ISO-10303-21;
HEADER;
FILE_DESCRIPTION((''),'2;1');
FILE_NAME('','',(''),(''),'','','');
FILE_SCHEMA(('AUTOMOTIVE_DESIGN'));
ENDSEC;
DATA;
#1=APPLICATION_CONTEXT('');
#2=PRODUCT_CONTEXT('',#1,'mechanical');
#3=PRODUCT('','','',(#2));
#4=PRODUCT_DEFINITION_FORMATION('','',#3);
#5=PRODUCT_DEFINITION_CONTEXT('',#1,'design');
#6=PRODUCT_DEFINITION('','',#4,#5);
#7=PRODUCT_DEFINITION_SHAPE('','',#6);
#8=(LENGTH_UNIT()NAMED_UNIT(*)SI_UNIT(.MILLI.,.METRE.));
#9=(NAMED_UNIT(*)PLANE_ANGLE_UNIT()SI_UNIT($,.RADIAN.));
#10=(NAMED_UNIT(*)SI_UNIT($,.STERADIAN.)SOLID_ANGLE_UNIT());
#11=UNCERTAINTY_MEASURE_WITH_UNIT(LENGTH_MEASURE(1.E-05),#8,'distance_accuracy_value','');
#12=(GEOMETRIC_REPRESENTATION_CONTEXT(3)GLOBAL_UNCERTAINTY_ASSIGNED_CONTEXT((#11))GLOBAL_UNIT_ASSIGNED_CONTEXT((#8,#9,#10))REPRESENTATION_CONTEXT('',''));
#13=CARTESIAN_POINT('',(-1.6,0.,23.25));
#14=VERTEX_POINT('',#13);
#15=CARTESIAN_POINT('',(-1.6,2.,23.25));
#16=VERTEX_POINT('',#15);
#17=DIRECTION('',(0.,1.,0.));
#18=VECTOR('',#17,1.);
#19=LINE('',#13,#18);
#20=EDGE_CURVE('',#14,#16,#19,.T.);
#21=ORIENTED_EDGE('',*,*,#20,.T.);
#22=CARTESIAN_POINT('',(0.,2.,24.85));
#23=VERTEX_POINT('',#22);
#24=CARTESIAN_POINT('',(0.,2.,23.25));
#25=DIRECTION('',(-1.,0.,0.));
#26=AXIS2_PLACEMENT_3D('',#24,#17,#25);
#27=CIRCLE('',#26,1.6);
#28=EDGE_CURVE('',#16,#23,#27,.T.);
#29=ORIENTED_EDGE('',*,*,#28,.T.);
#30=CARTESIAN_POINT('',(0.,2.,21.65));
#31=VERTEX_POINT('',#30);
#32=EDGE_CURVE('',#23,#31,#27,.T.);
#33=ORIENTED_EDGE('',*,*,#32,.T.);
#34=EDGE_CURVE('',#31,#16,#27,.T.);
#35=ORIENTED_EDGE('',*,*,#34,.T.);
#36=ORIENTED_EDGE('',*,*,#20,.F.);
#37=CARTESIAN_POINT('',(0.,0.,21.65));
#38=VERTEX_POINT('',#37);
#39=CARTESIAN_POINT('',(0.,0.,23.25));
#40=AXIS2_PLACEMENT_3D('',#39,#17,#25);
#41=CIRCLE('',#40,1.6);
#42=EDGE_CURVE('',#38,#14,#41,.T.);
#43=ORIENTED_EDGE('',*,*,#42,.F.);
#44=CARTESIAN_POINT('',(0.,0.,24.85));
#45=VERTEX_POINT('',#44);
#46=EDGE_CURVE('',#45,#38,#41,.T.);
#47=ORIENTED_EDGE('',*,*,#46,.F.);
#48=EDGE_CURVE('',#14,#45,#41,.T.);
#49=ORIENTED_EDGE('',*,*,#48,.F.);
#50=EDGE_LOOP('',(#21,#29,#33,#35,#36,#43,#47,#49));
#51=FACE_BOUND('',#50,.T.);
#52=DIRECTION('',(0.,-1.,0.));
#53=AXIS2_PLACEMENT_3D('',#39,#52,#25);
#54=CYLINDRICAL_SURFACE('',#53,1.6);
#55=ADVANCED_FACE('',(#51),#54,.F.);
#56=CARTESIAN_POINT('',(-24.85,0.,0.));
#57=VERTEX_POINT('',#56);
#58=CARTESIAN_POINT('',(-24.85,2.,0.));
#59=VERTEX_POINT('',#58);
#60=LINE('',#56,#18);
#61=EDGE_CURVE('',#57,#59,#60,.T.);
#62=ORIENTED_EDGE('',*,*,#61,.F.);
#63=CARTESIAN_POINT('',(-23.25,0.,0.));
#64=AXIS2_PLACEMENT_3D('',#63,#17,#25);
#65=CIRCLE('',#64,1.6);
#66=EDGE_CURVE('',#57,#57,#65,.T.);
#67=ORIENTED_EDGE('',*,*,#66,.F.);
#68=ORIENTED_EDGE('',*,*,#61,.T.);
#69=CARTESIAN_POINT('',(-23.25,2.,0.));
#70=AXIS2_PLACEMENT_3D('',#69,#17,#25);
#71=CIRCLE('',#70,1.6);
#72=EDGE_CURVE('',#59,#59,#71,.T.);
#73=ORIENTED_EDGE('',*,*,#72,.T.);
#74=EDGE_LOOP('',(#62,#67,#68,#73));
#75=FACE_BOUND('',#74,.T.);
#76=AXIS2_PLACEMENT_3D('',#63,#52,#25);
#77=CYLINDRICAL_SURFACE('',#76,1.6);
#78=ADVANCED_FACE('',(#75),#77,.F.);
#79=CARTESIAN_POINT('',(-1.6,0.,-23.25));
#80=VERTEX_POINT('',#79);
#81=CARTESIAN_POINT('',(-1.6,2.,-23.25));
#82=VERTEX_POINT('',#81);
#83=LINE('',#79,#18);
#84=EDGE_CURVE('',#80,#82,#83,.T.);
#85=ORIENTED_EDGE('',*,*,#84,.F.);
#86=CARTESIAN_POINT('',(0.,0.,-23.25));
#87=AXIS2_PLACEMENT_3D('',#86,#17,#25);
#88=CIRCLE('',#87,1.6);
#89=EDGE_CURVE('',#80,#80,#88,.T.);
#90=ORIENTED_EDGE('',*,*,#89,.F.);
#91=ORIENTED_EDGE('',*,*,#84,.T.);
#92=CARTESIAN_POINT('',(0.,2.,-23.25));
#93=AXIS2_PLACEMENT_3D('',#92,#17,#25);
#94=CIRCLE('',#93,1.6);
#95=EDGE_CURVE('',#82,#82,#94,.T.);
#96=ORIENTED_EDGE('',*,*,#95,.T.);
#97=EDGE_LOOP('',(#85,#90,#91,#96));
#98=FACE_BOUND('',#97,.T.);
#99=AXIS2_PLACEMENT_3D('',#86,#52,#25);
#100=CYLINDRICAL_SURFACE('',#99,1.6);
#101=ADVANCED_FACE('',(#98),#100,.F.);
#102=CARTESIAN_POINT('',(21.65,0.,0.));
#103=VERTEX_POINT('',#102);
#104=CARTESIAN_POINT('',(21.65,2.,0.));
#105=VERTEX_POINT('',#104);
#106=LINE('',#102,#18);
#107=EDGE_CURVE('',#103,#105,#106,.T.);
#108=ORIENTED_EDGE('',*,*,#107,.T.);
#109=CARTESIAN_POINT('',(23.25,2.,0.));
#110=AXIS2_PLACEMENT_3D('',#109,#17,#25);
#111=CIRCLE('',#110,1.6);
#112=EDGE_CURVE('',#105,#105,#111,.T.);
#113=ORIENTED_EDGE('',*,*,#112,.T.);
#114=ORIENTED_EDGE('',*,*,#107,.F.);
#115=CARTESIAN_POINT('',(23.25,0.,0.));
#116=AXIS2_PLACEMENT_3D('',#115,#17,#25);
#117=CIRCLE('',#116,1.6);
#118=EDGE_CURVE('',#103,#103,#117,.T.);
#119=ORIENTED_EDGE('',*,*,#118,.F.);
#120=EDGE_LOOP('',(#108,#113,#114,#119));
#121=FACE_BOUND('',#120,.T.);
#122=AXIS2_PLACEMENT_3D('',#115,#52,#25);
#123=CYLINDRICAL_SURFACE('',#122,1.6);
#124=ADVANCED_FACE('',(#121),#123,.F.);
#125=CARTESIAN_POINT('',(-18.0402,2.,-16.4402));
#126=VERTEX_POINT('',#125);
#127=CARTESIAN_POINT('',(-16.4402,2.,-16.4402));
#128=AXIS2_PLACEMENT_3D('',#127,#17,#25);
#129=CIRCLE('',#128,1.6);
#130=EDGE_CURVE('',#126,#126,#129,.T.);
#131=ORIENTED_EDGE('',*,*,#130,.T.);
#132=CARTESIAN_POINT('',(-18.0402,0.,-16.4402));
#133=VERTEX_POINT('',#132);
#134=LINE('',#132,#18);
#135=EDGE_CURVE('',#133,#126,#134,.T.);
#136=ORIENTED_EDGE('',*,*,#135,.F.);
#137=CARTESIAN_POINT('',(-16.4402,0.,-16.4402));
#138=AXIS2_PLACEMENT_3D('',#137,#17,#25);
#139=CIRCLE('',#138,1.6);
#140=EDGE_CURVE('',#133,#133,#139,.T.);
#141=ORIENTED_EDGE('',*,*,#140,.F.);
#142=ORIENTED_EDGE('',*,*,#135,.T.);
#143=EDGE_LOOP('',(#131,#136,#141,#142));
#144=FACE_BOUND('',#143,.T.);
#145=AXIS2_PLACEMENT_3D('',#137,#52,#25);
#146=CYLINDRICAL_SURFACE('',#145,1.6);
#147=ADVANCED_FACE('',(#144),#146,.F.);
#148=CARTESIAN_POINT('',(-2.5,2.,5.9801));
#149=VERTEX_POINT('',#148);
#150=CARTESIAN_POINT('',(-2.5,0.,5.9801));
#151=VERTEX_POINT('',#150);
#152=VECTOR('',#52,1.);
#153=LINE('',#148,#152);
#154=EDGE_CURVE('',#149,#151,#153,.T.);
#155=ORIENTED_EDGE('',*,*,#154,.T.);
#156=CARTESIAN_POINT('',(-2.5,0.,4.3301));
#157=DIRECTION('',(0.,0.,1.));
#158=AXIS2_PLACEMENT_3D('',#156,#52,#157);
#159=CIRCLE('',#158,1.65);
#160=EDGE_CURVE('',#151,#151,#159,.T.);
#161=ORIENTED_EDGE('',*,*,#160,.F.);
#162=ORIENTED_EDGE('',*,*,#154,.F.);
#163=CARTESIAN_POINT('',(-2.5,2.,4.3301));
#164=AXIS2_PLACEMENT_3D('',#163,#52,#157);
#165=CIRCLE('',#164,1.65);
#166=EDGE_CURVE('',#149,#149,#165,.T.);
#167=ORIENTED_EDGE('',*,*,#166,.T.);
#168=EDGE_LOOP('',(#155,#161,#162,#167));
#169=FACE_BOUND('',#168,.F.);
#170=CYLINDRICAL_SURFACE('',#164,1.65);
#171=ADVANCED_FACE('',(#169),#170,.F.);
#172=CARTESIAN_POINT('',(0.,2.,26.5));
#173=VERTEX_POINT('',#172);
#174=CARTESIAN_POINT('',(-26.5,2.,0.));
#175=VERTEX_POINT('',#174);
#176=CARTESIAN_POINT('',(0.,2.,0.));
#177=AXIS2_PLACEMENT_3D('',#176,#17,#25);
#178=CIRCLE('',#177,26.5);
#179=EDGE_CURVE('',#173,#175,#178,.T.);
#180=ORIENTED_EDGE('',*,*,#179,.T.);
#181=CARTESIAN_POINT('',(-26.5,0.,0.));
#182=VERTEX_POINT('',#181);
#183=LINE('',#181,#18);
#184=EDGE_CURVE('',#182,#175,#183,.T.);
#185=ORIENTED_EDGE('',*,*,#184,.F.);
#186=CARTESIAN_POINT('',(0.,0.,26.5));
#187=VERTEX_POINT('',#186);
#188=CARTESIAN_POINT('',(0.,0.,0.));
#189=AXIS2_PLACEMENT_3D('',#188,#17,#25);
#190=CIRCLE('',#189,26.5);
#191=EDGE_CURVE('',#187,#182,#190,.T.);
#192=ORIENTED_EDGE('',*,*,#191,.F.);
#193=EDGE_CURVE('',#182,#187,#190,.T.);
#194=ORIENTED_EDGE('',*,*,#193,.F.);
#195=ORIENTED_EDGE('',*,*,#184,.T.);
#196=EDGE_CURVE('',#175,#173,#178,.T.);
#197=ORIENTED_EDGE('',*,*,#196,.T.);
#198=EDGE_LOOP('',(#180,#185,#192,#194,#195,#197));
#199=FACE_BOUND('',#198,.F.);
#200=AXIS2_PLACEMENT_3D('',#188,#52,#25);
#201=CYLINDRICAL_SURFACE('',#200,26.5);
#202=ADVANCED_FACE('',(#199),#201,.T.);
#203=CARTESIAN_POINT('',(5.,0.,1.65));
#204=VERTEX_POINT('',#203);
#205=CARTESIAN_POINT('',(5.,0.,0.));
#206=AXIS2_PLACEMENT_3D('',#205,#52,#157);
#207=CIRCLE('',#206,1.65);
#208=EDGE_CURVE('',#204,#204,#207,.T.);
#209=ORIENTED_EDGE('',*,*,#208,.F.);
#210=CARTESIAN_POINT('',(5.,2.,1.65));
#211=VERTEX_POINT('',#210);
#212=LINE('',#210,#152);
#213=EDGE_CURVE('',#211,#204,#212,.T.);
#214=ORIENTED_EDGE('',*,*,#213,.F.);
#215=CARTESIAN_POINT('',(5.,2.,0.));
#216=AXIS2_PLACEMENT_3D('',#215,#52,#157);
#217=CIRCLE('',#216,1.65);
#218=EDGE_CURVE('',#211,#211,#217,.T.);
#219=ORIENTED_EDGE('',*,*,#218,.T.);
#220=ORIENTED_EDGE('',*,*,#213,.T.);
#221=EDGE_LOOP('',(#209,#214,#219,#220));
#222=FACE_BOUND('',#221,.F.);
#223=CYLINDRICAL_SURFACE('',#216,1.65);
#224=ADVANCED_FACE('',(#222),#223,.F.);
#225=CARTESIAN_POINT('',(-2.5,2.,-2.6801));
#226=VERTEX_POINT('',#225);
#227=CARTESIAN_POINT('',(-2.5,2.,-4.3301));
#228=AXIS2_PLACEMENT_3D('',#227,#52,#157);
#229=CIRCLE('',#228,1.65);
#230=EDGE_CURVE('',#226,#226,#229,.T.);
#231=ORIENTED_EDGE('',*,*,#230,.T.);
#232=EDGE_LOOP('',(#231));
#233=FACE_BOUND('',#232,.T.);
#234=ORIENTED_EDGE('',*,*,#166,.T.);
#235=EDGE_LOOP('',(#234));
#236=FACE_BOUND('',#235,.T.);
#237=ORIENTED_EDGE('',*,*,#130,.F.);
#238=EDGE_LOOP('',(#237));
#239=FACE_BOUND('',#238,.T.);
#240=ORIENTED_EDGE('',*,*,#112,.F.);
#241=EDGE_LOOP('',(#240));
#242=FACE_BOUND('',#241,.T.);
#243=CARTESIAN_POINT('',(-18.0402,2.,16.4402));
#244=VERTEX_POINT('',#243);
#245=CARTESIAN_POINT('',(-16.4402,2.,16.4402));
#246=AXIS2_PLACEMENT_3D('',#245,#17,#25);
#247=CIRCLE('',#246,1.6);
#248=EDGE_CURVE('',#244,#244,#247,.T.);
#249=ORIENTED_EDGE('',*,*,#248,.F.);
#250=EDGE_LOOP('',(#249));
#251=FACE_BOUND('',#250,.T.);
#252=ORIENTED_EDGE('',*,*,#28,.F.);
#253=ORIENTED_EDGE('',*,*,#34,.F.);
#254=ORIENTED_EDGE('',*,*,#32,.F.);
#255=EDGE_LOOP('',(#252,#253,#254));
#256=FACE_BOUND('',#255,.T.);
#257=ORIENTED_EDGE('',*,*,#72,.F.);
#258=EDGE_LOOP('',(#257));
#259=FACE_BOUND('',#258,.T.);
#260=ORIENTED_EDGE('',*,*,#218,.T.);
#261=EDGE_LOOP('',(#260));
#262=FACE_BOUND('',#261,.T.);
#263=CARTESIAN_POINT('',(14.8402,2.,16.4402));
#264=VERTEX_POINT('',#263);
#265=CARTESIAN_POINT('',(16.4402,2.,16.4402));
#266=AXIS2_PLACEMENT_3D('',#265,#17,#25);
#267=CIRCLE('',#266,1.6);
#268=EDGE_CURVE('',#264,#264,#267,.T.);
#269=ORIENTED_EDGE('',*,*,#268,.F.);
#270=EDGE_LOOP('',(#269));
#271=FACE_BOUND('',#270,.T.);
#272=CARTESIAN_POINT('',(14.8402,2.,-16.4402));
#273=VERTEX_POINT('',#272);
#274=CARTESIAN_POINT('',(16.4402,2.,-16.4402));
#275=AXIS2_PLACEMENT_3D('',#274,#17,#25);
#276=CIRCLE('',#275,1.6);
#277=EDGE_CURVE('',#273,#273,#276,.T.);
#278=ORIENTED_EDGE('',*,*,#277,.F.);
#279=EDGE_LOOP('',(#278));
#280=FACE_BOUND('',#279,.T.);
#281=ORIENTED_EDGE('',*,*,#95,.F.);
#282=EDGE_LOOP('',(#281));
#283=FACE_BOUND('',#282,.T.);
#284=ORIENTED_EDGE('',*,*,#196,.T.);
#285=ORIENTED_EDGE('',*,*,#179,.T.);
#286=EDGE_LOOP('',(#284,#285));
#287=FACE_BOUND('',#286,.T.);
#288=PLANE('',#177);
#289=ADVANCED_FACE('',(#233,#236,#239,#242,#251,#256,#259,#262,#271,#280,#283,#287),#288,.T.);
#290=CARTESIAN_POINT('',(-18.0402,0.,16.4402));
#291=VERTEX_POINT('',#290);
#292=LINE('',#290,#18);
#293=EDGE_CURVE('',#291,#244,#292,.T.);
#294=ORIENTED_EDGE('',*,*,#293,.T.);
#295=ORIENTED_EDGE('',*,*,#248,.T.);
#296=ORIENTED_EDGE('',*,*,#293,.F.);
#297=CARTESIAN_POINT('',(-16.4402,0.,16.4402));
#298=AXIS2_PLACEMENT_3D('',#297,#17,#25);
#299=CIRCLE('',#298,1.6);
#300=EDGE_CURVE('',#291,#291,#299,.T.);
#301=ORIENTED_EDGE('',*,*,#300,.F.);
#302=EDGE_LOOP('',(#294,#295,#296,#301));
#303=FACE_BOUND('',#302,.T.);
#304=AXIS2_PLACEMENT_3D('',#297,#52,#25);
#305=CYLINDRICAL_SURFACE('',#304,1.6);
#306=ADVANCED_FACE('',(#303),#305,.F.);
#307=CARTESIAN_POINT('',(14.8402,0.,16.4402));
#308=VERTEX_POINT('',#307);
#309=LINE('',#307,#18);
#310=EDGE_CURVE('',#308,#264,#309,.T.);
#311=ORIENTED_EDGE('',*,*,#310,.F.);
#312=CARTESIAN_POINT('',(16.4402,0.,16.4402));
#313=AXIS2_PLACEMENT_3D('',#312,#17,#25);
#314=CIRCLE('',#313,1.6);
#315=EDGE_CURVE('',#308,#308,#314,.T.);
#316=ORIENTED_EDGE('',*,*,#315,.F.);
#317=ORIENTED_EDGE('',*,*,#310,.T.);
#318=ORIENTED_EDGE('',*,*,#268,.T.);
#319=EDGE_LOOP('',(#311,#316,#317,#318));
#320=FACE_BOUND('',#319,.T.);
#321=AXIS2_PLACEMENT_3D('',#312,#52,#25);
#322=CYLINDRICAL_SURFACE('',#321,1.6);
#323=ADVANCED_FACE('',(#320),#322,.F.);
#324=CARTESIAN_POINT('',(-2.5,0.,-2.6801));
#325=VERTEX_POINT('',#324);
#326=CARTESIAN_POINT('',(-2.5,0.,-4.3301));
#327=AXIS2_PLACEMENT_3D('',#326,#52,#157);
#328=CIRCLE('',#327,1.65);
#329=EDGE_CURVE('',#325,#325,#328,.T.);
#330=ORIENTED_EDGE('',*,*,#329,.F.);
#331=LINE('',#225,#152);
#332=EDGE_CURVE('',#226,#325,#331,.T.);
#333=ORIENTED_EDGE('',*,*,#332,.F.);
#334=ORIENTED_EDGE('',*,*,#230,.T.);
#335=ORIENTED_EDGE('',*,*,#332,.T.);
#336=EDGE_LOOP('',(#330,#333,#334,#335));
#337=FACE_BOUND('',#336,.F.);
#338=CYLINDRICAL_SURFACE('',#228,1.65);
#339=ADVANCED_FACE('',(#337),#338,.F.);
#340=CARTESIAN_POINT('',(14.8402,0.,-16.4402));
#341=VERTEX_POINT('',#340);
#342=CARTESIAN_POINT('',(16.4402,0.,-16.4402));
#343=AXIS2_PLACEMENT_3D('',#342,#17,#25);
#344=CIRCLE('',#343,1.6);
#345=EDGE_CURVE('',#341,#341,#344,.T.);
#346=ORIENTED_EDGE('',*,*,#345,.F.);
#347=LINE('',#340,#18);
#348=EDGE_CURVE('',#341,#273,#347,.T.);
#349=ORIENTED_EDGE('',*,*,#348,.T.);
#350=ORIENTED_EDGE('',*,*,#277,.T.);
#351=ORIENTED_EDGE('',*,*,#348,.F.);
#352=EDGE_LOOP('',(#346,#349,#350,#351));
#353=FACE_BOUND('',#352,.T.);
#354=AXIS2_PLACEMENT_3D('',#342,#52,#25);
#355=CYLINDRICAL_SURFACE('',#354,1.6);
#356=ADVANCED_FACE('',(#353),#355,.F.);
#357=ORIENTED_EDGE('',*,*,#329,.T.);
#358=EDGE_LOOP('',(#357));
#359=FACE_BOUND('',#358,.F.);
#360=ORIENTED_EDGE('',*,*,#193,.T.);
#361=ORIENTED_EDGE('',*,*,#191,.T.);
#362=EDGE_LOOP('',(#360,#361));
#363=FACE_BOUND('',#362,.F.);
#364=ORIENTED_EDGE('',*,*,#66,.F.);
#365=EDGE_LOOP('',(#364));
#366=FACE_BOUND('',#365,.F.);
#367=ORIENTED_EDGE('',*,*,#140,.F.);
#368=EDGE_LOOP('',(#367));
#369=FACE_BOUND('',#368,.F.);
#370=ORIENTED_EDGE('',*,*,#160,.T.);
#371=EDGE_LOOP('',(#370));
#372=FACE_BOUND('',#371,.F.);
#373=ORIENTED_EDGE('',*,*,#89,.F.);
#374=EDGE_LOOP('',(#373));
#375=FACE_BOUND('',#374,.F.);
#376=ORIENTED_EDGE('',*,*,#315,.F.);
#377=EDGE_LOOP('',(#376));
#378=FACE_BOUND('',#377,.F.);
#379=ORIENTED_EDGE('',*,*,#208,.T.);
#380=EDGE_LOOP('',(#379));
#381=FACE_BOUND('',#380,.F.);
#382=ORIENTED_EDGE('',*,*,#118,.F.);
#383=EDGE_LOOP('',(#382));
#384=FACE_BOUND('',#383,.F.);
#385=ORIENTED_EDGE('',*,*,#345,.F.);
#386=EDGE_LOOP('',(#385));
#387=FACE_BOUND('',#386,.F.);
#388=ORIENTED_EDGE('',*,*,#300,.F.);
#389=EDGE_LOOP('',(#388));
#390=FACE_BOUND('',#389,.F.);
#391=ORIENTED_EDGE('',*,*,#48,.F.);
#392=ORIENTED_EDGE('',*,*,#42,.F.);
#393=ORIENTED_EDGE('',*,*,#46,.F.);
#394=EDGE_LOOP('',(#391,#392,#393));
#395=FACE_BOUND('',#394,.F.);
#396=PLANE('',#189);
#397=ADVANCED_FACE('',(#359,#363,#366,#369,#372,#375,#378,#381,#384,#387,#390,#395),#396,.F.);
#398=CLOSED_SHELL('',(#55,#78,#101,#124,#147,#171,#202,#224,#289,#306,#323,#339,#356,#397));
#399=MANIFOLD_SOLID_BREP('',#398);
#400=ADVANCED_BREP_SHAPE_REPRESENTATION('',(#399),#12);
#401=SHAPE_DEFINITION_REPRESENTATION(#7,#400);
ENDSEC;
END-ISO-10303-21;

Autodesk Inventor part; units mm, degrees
ref_plane "YZ Plane" through (0, 0, 0) normal (1, 0, 0) x (0, 1, 0)
ref_plane "XZ Plane" through (0, 0, 0) normal (0, 1, 0) x (-1, 0, 0)
ref_plane "XY Plane" through (0, 0, 0) normal (0, 0, 1) x (1, 0, 0)
sketch "Szkic1" plane through (0, 0, 0) normal (0, 1, 0) x (-1, 0, 0)
  circle A0 centre (0, 0) radius 20
  circle A1 centre (0, 0) radius 26.5
  line L0 (0, 26.5) -> (0, 20)
  circle A2 centre (0, 23.25) radius 1.6
  circle A3 centre (-16.4402, 16.4402) radius 1.6
  circle A4 centre (-23.25, 0) radius 1.6
  circle A5 centre (-16.4402, -16.4402) radius 1.6
  circle A6 centre (0, -23.25) radius 1.6
  circle A7 centre (16.4402, -16.4402) radius 1.6
  circle A8 centre (23.25, 0) radius 1.6
  circle A9 centre (16.4402, 16.4402) radius 1.6
  dimension "d0" = 40
  dimension "d1" = 53
  dimension "d2" = 3.2
  dimension "d5" = 360
extrude "Wyciągnięcie proste1" add sketch "Szkic1" along normal blind 2 contours A0 | A1
sketch "Szkic3" plane through (0, 2, 0) normal (0, 1, 0) x (1, 0, 0)
  circle A0 centre (0, 0) radius 5
  circle A1 centre (5, 0) radius 1.65
  circle A2 centre (-2.5, 4.3301) radius 1.65
  circle A3 centre (-2.5, -4.3301) radius 1.65
  point P0 (1.5451, -4.7553)
  point P1 (1.5451, 4.7553)
  point P2 (-4.0451, 2.9389)
  dimension "d22" = 10
  dimension "d39" = 3.3
  dimension "d42" = 360
hole "Otwór2" at (5, 2, 0) at (-2.5, 2, -4.3301) at (-2.5, 2, 4.3301) direction (0, -1, 0) diameter 3.3 end through all
properties part number "Bell_KoloFormaDol"
